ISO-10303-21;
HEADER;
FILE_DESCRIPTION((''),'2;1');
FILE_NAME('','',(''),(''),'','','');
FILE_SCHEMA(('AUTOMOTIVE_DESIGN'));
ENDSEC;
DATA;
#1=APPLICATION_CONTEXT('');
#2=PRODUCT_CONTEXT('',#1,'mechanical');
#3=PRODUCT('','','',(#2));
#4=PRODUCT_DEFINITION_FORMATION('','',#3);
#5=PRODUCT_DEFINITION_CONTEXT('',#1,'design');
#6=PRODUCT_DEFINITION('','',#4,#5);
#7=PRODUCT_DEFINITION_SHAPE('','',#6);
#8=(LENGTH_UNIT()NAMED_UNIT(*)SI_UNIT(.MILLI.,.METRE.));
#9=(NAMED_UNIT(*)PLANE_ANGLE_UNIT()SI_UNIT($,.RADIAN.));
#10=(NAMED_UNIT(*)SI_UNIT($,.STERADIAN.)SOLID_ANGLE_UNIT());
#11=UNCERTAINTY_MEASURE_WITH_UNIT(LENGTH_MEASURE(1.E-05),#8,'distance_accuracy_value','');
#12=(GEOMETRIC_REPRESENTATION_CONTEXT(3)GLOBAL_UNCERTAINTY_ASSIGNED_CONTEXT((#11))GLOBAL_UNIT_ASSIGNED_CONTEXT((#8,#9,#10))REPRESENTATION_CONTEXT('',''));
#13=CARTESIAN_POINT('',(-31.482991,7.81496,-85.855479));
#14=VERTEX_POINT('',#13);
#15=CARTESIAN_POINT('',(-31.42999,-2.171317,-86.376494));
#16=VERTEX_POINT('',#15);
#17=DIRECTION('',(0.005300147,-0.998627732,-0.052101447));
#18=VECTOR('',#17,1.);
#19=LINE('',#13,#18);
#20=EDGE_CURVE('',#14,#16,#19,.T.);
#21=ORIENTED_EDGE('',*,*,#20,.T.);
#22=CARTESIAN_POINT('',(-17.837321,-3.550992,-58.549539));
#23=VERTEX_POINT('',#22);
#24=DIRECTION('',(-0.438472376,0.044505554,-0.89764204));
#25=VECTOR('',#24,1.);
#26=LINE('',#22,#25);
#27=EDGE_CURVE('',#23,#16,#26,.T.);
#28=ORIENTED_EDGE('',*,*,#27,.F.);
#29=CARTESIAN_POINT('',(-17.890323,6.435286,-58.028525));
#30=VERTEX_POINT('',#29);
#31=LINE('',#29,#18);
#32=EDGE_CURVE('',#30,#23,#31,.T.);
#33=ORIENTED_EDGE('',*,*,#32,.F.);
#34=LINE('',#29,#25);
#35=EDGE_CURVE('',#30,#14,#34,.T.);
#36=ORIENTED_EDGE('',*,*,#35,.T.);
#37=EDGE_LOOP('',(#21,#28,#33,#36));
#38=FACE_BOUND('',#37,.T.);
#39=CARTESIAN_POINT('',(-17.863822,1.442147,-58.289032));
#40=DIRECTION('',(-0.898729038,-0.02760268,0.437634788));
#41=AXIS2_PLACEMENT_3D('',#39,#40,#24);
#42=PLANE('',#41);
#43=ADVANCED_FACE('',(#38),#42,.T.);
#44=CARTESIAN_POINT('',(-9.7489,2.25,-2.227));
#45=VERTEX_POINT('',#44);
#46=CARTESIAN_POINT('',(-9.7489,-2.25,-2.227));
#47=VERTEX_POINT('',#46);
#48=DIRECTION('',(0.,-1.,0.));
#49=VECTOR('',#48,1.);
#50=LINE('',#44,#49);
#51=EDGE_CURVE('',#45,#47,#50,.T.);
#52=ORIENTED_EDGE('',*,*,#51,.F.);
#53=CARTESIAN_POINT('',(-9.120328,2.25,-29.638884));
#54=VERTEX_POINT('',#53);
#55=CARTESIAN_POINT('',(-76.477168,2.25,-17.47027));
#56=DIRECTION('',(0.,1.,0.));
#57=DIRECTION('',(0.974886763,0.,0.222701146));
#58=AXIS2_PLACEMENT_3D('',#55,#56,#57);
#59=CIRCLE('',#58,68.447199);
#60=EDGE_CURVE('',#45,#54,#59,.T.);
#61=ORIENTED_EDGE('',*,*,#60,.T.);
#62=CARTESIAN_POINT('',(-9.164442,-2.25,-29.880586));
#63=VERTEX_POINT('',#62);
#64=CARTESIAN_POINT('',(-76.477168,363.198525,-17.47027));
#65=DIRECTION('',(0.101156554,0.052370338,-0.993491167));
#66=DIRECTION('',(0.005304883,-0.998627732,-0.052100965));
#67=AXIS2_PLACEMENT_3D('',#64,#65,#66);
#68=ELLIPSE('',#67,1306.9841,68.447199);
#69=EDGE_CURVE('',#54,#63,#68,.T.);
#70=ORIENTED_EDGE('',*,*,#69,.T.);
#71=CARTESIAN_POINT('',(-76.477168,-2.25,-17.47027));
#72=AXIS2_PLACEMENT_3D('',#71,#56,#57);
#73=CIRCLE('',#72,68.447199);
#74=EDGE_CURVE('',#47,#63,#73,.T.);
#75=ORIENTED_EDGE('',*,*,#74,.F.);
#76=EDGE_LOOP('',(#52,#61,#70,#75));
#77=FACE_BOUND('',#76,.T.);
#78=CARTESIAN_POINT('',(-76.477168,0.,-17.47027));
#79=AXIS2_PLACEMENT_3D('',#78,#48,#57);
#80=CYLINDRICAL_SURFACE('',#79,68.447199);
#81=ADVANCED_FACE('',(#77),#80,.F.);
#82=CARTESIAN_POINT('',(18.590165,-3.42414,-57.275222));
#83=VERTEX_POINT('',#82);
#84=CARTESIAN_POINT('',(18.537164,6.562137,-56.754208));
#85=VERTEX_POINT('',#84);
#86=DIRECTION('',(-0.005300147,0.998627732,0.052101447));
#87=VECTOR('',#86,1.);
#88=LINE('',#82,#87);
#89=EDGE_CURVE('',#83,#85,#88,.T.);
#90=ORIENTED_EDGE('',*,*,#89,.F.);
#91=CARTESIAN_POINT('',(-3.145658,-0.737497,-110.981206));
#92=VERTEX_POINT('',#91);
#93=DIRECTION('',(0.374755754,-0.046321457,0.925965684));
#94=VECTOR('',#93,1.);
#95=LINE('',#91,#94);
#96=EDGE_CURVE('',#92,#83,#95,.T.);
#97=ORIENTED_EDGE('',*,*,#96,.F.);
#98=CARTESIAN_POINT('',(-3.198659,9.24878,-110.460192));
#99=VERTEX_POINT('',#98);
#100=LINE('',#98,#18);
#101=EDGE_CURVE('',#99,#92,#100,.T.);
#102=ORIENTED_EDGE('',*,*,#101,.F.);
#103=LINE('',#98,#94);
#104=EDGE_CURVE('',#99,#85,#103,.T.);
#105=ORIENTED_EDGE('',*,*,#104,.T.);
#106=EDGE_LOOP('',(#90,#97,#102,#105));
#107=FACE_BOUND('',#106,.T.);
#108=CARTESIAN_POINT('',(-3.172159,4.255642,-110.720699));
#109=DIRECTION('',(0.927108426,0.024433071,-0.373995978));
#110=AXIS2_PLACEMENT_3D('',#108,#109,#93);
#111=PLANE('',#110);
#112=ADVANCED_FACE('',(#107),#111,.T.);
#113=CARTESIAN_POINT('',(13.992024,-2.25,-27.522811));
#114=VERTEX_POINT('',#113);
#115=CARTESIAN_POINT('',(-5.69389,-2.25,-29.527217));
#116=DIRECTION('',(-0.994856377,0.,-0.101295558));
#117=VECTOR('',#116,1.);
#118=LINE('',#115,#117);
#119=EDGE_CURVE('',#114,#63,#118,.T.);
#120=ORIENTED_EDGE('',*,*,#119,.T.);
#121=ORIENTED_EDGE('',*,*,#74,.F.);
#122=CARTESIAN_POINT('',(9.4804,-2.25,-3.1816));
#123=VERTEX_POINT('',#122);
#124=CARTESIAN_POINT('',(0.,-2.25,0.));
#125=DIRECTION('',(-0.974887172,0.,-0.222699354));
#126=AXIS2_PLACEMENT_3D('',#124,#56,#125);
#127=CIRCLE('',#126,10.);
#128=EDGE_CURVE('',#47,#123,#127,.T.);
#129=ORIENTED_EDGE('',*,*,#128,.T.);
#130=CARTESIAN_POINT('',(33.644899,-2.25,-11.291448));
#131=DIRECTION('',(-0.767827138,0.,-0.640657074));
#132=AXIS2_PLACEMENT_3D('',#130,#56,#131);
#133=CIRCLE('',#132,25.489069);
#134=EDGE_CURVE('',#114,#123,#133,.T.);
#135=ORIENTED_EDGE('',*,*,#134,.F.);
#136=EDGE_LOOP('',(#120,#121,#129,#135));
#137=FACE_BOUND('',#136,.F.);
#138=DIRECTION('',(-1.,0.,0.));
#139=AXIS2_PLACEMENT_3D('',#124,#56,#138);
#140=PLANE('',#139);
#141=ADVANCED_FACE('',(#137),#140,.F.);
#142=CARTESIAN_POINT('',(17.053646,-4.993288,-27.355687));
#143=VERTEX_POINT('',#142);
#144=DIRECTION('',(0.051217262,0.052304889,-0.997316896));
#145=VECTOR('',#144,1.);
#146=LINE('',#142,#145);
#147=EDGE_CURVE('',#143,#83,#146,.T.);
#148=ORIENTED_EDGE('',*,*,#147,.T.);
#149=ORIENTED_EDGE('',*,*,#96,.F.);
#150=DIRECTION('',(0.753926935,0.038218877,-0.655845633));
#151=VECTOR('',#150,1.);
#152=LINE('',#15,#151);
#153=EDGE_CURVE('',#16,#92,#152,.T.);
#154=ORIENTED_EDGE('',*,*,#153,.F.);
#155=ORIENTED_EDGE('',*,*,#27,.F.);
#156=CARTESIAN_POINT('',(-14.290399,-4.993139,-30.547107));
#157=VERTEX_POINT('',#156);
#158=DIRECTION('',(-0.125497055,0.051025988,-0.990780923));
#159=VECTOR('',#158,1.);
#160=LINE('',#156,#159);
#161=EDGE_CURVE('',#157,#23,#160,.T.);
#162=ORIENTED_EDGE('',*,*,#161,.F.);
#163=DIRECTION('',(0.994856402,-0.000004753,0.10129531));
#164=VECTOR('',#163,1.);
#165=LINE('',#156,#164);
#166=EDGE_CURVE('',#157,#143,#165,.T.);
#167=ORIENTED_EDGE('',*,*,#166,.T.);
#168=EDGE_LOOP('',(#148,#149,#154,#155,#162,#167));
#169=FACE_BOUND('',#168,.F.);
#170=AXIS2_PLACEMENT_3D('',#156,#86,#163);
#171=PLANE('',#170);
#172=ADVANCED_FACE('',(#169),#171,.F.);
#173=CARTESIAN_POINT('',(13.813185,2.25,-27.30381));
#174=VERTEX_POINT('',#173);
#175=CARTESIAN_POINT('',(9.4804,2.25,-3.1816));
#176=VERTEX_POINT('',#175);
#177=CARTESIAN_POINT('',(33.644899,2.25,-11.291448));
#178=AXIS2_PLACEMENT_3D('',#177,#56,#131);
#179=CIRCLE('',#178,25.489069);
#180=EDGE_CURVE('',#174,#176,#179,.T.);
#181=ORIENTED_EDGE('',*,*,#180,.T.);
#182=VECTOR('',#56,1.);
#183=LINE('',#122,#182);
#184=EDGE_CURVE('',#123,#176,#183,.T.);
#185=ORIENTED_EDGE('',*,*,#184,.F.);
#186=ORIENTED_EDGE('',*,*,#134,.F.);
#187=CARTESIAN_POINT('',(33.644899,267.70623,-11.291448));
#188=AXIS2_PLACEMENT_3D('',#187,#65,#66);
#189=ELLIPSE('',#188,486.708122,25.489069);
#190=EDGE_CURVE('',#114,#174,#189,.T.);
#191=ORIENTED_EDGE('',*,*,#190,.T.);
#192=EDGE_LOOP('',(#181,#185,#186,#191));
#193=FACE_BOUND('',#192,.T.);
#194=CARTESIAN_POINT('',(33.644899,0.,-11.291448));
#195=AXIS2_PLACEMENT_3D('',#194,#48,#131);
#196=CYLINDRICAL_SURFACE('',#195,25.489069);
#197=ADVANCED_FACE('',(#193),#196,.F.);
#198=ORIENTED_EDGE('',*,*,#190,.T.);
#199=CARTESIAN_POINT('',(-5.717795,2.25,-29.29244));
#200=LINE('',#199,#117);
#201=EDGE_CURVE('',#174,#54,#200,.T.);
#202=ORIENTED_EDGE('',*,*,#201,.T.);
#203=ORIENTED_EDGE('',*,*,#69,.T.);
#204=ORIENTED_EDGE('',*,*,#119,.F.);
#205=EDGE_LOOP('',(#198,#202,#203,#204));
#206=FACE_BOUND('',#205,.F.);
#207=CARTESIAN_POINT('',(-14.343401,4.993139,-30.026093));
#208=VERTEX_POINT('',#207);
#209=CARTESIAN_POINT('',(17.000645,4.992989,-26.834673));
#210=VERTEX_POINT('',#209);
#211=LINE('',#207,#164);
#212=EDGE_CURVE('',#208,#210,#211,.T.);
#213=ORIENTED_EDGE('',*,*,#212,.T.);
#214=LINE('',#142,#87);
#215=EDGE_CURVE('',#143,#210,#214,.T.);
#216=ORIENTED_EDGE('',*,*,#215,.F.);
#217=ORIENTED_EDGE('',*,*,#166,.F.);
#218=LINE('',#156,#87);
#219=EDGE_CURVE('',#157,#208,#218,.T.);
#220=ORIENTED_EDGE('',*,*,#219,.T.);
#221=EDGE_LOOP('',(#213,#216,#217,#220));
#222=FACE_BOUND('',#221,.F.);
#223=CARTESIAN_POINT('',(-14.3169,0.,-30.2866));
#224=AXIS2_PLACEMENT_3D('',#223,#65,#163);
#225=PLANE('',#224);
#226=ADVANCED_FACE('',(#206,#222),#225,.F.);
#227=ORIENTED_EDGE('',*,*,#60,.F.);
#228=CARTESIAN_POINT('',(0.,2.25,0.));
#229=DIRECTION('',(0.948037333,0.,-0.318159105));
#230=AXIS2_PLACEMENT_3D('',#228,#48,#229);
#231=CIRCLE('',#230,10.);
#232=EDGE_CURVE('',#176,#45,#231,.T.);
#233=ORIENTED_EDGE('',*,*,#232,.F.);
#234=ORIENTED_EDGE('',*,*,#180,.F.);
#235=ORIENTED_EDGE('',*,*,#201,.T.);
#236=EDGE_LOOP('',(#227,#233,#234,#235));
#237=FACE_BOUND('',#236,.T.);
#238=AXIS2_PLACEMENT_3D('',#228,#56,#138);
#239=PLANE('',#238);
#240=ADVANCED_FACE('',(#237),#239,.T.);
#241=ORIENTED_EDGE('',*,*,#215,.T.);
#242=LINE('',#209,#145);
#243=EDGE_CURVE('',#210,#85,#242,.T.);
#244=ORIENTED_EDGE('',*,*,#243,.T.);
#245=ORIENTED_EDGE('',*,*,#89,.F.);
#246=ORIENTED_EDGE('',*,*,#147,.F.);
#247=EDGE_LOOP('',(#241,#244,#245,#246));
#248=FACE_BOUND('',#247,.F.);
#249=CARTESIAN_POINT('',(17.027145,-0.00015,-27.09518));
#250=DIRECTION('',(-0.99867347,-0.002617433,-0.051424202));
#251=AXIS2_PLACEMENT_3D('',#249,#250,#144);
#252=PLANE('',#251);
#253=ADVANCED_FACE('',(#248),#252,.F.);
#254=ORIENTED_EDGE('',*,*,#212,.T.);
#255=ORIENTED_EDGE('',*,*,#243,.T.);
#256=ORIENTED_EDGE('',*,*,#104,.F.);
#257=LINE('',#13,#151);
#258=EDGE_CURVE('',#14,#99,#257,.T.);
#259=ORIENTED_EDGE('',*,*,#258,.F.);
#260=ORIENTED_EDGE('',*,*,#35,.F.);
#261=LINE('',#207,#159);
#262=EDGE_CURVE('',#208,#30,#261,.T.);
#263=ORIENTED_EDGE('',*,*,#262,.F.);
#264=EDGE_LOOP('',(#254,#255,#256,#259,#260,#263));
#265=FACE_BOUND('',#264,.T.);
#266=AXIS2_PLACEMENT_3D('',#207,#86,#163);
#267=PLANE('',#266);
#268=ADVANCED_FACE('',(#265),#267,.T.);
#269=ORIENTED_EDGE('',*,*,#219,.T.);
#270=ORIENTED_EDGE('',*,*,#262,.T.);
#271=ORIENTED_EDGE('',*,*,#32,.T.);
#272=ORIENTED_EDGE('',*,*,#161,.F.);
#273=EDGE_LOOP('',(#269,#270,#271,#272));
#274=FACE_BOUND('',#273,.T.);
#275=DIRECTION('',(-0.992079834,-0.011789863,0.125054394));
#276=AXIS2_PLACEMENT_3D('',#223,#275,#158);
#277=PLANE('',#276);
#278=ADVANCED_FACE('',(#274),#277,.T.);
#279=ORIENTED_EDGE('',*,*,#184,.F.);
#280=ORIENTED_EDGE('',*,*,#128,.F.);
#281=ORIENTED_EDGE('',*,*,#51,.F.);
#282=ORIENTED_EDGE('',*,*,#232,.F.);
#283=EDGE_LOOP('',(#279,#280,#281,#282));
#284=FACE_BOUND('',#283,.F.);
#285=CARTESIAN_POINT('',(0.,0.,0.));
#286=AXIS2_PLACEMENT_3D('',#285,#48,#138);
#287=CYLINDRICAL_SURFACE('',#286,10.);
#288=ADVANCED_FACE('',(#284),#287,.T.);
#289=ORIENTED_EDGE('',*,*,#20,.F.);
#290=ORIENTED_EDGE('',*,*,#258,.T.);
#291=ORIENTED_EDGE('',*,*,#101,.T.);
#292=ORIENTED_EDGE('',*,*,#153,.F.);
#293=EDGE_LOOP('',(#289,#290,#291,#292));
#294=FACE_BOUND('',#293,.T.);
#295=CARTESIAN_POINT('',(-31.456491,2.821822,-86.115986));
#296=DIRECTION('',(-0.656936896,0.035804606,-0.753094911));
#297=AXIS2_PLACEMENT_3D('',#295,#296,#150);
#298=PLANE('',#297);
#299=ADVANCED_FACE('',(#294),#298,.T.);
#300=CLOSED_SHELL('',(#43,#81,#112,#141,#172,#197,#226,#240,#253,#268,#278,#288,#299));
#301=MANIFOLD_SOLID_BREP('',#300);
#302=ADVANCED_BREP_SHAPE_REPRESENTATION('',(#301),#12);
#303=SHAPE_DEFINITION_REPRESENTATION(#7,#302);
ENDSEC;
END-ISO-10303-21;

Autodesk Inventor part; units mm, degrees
ref_plane "YZ Plane" through (0, 0, 0) normal (1, 0, 0) x (0, 1, 0)
ref_plane "XY Plane" through (0, 0, 0) normal (0, 0, 1) x (1, 0, 0)
sketch "Sketch1" plane through (0, 0, 0) normal (0, 1, 0) x (-1, 0, 0)
  circle A0 centre (0, 0) radius 10
  line L0 (10, 0) -> (9.2097, -30.1236) construction
  arc A1 (-17.027, -27.0939) -> (14.3169, -30.2866) centre (17.8178, 159.5407) ccw construction
  line L1 (0, 0) -> (-14.0737, -27.6212) construction
  line L2 (10, 0) -> (-10, 0) construction
  line L3 (0, -10) -> (0, 10) construction
  arc A2 (9.7489, -2.227) -> (9.2097, -30.1236) centre (76.4766, -17.4702) ccw
  arc A3 (-14.0737, -27.6212) -> (-9.4804, -3.1816) centre (-33.645, -11.2914) ccw
  line L4 (0, 0) -> (9.2097, -30.1236) construction
  line L5 (14.3169, -30.2866) -> (-17.027, -27.0939) construction
  line L6 (9.2097, -30.1236) -> (-14.0737, -27.6212) construction
  line L7 (-1.355, -28.6902) -> (-1.4214, -29.3415) construction
  line L8 (0, 0) -> (-17.027, -27.0939) construction
  line L9 (0, 0) -> (14.3169, -30.2866) construction
  line L10 (-17.027, -27.0939) -> (-14.0737, -27.6212) construction
  line L11 (0, 0) -> (-18.5691, -57.0543) construction
  line L12 (0, 0) -> (17.8587, -58.3272) construction
  line L13 (17.8587, -58.3272) -> (-18.5691, -57.0543) construction
  line L14 (-18.5691, -57.0543) -> (-17.027, -27.0939) construction
  line L15 (14.3169, -30.2866) -> (17.8587, -58.3272) construction
  line L16 (14.3169, -30.2866) -> (17.8587, -58.3272) construction
  line L17 (-17.027, -27.0939) -> (-18.5691, -57.0543) construction
  line L18 (17.8587, -58.3272) -> (31.4475, -86.1902) construction
  line L19 (-18.5691, -57.0543) -> (3.1581, -110.8309) construction
  line L20 (-18.5691, -57.0543) -> (39.4309, -57.0543) construction
  arc A4 (17.8587, -58.3272) -> (31.4475, -86.1902) centre (65.5771, -52.3) ccw construction
  arc A5 (-18.5691, -57.0543) -> (3.1581, -110.8309) centre (50.0978, -60.5886) ccw construction
  line L21 (31.4475, -86.1902) -> (3.1581, -110.8309) construction
  arc A6 (-14.0737, -27.6212) -> (9.2097, -30.1236) centre (17.8178, 159.5407) ccw
  dimension "d0" = 20
  dimension "d4" = 63
  dimension "d7" = 31
  dimension "d8" = 73
  dimension "d9" = 31.5
  dimension "d14" = 32
  dimension "d15" = 33.5
  dimension "d19" = 3
  dimension "d20" = 60
  dimension "d21" = 61
  dimension "d22" = 36.45
  dimension "d23" = 30
  dimension "d24" = 68.4466
  dimension "d25" = 25.4892
  dimension "d26" = 118
  dimension "d27" = 31
  dimension "d28" = 58
  dimension "d29" = 68
  dimension "d30" = 37.5161
  dimension "d142" = 28.2635
  dimension "d149" = 87.13
  dimension "d150" = 103.015
  dimension "d152" = 65.999
ref_plane "Work Plane11" through (-14.3169, 0, -30.2866) normal (-0.0053, 0.9986, 0.0521) x (0.9949, 0, 0.1013)
sketch "Sketch9" plane through (-14.3169, 0, -30.2866) normal (-0.0053, 0.9986, 0.0521) x (0.9949, 0, 0.1013)
  line L0 (0, 0) -> (31.5061, 0) projected
  line L1 (31.5061, 0) -> (30.004, 29.9624)
  line L2 (0, 0) -> (-6.3652, 27.5369)
  line L3 (-6.3652, 27.5369) -> (30.004, 29.9624) construction
  line L4 (-6.3652, 27.5369) -> (-22.7067, 53.88)
  line L5 (-22.7067, 53.88) -> (2.9398, 81.2608)
  line L6 (2.9398, 81.2608) -> (30.004, 29.9624)
  point P0 (17.3123, -28.6406)
  dimension "d141" = 30
  dimension "d143" = 28.263
  dimension "d144" = 36.45
  dimension "d146" = 58
  dimension "d147" = 31
  dimension "d148" = 37.516
  dimension "d151" = 87.13
  dimension "d153" = 66
extrude "Extrusion6" add sketch "Sketch1" along normal mid plane 4.5
extrude "Extrusion7" add sketch "Sketch9" along normal mid plane 10
properties part number "brace2.0"
